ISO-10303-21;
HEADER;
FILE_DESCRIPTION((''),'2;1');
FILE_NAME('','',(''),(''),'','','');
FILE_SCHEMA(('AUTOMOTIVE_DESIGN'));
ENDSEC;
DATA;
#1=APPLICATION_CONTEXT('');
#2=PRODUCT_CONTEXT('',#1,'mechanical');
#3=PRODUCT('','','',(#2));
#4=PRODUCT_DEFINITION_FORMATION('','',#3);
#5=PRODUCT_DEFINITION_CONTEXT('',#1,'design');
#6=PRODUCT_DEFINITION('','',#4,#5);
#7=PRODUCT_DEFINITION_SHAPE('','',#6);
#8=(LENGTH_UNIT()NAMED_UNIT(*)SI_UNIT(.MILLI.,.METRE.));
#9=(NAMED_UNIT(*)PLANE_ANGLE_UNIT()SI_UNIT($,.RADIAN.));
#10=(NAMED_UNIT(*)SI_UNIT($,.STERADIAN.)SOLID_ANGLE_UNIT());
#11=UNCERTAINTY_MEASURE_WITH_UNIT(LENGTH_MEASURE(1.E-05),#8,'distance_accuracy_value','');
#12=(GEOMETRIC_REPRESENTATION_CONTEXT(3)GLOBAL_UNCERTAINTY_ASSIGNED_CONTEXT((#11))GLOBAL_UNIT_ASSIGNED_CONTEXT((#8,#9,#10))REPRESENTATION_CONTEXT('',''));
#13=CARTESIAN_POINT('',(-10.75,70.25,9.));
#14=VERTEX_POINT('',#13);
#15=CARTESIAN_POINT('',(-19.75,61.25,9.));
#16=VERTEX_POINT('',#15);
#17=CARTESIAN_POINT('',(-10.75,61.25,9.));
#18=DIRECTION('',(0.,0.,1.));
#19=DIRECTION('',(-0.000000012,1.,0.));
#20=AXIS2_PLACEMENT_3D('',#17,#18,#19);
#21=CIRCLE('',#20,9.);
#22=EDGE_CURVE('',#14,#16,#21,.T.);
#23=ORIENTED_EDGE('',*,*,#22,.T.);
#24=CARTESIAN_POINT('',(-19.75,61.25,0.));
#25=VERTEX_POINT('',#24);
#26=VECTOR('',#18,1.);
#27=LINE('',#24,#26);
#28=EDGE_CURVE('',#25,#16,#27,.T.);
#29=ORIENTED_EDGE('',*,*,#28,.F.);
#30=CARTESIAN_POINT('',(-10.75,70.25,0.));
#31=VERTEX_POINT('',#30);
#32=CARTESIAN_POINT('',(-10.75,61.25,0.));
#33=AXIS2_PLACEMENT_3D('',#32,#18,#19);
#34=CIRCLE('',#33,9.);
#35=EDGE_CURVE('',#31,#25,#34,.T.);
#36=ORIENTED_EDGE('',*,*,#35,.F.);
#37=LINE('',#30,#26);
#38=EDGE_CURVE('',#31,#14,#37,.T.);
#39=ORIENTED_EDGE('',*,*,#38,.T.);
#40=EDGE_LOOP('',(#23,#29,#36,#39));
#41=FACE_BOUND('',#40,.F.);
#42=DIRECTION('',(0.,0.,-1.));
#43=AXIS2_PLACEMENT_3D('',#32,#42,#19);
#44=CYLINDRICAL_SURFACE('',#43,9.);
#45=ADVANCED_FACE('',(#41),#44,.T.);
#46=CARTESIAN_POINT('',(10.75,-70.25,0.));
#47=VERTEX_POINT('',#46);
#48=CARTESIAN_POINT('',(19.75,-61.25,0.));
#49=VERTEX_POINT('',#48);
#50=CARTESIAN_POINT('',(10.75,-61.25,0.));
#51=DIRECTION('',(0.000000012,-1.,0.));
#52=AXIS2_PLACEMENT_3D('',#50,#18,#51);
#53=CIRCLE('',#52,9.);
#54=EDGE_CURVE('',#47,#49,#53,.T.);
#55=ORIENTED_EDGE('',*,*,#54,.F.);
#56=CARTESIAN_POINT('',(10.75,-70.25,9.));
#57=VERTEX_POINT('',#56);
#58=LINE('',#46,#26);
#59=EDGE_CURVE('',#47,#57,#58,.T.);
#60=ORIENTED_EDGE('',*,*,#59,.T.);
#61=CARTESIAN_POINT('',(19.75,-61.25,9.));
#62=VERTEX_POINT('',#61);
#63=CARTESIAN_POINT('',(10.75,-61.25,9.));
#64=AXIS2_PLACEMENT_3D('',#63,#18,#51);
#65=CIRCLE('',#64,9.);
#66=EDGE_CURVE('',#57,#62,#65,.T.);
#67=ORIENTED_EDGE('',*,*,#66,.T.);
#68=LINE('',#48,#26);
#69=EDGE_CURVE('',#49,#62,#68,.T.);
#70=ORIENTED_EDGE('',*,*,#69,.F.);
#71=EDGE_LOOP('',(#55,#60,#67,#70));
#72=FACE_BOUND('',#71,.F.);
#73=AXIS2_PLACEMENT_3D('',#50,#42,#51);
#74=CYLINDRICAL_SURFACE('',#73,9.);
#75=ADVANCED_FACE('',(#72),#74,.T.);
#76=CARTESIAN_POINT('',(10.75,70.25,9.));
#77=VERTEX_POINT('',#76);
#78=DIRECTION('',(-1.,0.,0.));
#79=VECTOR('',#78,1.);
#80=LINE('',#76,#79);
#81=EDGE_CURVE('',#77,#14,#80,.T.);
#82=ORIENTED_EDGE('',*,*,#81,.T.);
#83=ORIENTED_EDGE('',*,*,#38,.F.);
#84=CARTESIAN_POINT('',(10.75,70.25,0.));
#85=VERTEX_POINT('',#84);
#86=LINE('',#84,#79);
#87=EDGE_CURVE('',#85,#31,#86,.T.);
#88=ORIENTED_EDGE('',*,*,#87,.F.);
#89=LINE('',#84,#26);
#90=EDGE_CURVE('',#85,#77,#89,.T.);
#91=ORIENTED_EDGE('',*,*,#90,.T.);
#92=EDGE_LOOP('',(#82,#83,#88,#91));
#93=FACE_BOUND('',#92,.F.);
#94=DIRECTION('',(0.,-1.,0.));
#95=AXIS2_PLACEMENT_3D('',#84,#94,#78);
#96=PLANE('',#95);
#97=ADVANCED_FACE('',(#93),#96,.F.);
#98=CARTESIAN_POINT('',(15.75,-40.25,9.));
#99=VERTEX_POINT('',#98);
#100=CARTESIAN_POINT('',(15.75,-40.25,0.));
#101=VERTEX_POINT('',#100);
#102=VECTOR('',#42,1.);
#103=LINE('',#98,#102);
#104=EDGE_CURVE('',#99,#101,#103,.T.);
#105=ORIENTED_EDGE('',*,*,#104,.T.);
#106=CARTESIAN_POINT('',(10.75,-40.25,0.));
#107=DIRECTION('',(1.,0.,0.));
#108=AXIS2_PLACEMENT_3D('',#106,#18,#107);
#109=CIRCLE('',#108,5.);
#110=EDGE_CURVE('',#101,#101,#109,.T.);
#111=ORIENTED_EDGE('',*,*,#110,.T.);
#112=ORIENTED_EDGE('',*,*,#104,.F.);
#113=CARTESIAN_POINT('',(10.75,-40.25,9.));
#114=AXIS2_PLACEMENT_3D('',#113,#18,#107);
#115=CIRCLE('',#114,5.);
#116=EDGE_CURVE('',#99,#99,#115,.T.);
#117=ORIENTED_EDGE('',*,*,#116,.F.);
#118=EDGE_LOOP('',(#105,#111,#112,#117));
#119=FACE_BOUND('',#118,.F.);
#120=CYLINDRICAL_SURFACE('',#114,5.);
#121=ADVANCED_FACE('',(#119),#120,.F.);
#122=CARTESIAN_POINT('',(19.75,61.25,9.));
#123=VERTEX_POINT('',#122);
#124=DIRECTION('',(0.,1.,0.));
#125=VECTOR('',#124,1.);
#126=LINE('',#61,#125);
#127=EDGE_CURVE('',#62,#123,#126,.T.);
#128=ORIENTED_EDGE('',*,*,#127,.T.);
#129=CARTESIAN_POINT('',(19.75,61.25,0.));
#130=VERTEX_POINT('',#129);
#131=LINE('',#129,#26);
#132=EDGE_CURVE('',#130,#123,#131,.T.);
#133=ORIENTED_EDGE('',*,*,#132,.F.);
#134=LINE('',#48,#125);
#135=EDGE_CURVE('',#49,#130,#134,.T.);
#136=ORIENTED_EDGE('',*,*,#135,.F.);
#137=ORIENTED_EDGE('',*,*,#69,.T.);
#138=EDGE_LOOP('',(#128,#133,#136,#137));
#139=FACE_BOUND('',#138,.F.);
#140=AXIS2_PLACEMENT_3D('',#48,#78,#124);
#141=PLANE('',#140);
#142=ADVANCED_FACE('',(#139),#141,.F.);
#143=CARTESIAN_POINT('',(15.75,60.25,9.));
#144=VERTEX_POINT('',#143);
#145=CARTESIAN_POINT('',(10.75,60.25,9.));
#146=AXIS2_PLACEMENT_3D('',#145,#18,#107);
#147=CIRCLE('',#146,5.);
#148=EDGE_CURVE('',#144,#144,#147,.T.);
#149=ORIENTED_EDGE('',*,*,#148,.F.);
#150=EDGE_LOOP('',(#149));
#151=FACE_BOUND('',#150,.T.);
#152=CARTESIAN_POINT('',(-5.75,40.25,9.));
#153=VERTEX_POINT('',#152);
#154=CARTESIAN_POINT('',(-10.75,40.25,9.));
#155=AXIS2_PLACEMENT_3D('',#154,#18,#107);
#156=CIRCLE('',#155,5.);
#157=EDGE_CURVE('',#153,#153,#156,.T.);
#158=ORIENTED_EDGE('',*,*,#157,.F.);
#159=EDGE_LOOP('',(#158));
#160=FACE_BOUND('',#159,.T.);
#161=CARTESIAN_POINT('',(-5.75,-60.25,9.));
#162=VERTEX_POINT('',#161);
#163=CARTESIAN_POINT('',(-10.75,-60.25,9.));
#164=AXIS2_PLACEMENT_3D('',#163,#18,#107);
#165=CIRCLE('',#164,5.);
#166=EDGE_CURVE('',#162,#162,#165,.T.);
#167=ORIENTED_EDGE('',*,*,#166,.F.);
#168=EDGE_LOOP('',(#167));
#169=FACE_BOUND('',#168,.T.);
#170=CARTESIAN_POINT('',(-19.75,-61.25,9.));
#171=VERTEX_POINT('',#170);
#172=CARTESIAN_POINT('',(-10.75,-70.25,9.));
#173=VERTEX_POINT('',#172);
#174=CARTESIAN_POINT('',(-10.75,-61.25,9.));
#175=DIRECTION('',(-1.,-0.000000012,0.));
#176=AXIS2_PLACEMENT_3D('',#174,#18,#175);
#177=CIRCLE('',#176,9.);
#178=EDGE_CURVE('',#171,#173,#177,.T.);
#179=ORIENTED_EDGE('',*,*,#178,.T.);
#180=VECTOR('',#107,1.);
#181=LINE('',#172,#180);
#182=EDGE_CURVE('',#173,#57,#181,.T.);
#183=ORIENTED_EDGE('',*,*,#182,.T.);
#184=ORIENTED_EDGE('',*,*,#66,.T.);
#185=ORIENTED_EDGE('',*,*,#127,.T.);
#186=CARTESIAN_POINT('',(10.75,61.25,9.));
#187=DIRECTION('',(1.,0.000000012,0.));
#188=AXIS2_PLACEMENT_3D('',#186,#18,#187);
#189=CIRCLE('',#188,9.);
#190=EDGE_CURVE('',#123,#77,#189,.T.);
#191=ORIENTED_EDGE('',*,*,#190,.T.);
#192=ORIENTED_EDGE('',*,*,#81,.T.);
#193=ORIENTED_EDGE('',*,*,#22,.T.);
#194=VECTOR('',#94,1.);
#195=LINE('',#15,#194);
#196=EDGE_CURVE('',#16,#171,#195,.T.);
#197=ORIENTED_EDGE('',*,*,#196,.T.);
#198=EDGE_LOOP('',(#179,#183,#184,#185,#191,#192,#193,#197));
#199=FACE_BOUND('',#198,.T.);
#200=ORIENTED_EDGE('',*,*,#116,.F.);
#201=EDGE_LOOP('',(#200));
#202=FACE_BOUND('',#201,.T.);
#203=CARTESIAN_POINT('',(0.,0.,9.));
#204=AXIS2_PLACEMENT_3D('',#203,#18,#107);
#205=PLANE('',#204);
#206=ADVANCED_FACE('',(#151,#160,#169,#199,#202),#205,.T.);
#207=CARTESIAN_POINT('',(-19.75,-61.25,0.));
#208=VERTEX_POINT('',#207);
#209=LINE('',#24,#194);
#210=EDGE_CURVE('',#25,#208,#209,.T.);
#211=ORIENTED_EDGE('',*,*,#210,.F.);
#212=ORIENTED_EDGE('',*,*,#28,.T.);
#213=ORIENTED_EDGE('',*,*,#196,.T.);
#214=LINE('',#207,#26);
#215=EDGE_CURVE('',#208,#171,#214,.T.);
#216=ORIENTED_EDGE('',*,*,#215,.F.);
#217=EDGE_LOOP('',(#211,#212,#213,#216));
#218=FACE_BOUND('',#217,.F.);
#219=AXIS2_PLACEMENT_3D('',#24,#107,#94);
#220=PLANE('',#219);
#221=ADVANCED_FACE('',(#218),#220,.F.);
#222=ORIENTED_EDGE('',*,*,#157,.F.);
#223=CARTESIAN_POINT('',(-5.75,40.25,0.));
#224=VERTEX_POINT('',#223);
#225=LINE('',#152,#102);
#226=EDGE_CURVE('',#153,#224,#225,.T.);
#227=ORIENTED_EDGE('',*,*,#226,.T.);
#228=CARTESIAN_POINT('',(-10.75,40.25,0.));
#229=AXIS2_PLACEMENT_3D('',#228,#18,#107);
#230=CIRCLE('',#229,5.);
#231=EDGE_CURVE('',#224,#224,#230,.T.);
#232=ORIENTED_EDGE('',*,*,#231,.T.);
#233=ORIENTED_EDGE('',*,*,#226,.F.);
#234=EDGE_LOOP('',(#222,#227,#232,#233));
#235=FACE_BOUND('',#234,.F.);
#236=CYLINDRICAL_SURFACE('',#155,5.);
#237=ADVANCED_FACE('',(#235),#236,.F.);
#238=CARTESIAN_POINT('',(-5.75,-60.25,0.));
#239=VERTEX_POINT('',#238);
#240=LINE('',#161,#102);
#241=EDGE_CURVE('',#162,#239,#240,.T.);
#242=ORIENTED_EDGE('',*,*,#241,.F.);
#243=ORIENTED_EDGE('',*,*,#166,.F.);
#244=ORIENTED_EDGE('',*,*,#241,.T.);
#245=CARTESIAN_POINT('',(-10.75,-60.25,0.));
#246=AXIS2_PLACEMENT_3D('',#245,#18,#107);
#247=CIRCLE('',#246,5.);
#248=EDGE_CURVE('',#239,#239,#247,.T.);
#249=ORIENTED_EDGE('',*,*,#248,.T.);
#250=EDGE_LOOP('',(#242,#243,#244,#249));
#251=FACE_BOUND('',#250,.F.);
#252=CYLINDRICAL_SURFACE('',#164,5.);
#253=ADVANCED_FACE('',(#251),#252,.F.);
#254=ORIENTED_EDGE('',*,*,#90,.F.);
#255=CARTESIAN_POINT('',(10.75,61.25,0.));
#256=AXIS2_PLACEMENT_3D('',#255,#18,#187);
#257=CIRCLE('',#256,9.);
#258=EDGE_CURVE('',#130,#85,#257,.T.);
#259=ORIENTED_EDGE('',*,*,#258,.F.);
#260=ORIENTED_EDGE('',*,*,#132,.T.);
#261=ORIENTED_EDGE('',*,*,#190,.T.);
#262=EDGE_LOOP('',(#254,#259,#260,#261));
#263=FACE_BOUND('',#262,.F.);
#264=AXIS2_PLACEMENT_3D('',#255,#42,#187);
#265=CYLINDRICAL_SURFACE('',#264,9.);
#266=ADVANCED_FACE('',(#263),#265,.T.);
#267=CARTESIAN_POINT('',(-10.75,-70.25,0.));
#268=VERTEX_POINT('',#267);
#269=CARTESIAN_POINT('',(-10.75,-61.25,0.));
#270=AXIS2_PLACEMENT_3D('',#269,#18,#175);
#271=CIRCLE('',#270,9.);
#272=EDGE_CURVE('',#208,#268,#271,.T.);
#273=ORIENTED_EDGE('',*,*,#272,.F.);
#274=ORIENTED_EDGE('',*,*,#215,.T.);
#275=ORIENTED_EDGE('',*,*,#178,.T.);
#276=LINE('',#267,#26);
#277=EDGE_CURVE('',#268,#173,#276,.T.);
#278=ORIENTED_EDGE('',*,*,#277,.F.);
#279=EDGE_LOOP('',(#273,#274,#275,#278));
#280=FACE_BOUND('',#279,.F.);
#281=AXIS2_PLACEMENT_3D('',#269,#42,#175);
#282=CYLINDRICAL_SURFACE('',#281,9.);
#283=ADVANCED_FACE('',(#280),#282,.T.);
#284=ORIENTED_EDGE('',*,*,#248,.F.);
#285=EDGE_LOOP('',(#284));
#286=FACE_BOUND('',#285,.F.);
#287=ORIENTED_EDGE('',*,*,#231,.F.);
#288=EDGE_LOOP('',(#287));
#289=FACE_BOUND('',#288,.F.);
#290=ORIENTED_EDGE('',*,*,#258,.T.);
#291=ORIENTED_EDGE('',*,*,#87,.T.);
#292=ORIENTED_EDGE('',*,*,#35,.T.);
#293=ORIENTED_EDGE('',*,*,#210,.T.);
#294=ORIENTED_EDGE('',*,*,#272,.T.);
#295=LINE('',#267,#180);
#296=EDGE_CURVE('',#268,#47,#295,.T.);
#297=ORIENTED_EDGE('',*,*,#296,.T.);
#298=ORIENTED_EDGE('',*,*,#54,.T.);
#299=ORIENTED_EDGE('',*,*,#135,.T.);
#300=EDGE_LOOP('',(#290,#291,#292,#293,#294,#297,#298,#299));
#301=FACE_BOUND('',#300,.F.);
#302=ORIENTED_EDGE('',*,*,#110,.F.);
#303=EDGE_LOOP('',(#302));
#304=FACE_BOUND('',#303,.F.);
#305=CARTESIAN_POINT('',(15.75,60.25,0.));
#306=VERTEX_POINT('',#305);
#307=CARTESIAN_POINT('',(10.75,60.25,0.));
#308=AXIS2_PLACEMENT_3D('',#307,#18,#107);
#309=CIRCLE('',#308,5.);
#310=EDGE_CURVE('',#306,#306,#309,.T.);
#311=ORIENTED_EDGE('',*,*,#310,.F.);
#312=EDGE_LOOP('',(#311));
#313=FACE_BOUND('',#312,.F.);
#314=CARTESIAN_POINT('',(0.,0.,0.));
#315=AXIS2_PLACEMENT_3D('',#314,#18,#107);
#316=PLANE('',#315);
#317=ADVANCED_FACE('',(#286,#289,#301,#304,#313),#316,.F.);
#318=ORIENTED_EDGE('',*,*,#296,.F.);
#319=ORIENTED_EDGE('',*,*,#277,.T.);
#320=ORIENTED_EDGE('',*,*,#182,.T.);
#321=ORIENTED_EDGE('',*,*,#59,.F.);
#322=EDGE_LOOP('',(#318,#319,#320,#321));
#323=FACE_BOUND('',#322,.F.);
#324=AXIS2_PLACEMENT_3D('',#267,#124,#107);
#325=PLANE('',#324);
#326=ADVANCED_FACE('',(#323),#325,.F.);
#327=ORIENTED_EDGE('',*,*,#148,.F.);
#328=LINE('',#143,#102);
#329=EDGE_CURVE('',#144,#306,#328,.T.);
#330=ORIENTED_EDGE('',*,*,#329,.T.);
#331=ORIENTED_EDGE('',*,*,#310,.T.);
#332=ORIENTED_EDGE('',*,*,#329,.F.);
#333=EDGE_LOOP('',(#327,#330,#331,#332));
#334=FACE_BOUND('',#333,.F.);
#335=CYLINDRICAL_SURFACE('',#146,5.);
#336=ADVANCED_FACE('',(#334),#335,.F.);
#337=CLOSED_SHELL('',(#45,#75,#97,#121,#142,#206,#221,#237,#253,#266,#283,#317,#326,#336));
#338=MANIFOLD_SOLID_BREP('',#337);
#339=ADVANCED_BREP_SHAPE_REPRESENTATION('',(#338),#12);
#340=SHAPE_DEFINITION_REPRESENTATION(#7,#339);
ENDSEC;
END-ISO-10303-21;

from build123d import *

# Parameters (mm, degrees)
F1_DEPTH = 9
F2_R     = 5
F3_DEPTH = 9.001


with BuildPart() as f1:
    # F0 (on Top) → F1 (new body)
    with BuildSketch(Plane.XY):
        with BuildLine():
            Line((10.75, 70.25), (-10.75, 70.25))
            ThreePointArc((-10.75, 70.25), (-17.113961, 67.613961), (-19.75, 61.25))
            Line((-19.75, 61.25), (-19.75, -61.25))
            ThreePointArc((-19.75, -61.25), (-17.113961, -67.613961), (-10.75, -70.25))
            Line((-10.75, -70.25), (10.75, -70.25))
            ThreePointArc((10.75, -70.25), (17.113961, -67.613961), (19.75, -61.25))
            Line((19.75, -61.25), (19.75, 61.25))
            ThreePointArc((19.75, 61.25), (17.113961, 67.613961), (10.75, 70.25))
        make_face()
    extrude(amount=F1_DEPTH)

    # F2 (on face) → F3 (cut, through all)
    with BuildSketch(Plane.XY.offset(9)):
        with Locations((10.75, 60.25)):
            Circle(F2_R)
        with Locations((-10.75, 40.25)):
            Circle(F2_R)
        with Locations((10.75, -40.25)):
            Circle(F2_R)
        with Locations((-10.75, -60.25)):
            Circle(F2_R)
    extrude(amount=-F3_DEPTH, mode=Mode.SUBTRACT)


solid = f1.part
